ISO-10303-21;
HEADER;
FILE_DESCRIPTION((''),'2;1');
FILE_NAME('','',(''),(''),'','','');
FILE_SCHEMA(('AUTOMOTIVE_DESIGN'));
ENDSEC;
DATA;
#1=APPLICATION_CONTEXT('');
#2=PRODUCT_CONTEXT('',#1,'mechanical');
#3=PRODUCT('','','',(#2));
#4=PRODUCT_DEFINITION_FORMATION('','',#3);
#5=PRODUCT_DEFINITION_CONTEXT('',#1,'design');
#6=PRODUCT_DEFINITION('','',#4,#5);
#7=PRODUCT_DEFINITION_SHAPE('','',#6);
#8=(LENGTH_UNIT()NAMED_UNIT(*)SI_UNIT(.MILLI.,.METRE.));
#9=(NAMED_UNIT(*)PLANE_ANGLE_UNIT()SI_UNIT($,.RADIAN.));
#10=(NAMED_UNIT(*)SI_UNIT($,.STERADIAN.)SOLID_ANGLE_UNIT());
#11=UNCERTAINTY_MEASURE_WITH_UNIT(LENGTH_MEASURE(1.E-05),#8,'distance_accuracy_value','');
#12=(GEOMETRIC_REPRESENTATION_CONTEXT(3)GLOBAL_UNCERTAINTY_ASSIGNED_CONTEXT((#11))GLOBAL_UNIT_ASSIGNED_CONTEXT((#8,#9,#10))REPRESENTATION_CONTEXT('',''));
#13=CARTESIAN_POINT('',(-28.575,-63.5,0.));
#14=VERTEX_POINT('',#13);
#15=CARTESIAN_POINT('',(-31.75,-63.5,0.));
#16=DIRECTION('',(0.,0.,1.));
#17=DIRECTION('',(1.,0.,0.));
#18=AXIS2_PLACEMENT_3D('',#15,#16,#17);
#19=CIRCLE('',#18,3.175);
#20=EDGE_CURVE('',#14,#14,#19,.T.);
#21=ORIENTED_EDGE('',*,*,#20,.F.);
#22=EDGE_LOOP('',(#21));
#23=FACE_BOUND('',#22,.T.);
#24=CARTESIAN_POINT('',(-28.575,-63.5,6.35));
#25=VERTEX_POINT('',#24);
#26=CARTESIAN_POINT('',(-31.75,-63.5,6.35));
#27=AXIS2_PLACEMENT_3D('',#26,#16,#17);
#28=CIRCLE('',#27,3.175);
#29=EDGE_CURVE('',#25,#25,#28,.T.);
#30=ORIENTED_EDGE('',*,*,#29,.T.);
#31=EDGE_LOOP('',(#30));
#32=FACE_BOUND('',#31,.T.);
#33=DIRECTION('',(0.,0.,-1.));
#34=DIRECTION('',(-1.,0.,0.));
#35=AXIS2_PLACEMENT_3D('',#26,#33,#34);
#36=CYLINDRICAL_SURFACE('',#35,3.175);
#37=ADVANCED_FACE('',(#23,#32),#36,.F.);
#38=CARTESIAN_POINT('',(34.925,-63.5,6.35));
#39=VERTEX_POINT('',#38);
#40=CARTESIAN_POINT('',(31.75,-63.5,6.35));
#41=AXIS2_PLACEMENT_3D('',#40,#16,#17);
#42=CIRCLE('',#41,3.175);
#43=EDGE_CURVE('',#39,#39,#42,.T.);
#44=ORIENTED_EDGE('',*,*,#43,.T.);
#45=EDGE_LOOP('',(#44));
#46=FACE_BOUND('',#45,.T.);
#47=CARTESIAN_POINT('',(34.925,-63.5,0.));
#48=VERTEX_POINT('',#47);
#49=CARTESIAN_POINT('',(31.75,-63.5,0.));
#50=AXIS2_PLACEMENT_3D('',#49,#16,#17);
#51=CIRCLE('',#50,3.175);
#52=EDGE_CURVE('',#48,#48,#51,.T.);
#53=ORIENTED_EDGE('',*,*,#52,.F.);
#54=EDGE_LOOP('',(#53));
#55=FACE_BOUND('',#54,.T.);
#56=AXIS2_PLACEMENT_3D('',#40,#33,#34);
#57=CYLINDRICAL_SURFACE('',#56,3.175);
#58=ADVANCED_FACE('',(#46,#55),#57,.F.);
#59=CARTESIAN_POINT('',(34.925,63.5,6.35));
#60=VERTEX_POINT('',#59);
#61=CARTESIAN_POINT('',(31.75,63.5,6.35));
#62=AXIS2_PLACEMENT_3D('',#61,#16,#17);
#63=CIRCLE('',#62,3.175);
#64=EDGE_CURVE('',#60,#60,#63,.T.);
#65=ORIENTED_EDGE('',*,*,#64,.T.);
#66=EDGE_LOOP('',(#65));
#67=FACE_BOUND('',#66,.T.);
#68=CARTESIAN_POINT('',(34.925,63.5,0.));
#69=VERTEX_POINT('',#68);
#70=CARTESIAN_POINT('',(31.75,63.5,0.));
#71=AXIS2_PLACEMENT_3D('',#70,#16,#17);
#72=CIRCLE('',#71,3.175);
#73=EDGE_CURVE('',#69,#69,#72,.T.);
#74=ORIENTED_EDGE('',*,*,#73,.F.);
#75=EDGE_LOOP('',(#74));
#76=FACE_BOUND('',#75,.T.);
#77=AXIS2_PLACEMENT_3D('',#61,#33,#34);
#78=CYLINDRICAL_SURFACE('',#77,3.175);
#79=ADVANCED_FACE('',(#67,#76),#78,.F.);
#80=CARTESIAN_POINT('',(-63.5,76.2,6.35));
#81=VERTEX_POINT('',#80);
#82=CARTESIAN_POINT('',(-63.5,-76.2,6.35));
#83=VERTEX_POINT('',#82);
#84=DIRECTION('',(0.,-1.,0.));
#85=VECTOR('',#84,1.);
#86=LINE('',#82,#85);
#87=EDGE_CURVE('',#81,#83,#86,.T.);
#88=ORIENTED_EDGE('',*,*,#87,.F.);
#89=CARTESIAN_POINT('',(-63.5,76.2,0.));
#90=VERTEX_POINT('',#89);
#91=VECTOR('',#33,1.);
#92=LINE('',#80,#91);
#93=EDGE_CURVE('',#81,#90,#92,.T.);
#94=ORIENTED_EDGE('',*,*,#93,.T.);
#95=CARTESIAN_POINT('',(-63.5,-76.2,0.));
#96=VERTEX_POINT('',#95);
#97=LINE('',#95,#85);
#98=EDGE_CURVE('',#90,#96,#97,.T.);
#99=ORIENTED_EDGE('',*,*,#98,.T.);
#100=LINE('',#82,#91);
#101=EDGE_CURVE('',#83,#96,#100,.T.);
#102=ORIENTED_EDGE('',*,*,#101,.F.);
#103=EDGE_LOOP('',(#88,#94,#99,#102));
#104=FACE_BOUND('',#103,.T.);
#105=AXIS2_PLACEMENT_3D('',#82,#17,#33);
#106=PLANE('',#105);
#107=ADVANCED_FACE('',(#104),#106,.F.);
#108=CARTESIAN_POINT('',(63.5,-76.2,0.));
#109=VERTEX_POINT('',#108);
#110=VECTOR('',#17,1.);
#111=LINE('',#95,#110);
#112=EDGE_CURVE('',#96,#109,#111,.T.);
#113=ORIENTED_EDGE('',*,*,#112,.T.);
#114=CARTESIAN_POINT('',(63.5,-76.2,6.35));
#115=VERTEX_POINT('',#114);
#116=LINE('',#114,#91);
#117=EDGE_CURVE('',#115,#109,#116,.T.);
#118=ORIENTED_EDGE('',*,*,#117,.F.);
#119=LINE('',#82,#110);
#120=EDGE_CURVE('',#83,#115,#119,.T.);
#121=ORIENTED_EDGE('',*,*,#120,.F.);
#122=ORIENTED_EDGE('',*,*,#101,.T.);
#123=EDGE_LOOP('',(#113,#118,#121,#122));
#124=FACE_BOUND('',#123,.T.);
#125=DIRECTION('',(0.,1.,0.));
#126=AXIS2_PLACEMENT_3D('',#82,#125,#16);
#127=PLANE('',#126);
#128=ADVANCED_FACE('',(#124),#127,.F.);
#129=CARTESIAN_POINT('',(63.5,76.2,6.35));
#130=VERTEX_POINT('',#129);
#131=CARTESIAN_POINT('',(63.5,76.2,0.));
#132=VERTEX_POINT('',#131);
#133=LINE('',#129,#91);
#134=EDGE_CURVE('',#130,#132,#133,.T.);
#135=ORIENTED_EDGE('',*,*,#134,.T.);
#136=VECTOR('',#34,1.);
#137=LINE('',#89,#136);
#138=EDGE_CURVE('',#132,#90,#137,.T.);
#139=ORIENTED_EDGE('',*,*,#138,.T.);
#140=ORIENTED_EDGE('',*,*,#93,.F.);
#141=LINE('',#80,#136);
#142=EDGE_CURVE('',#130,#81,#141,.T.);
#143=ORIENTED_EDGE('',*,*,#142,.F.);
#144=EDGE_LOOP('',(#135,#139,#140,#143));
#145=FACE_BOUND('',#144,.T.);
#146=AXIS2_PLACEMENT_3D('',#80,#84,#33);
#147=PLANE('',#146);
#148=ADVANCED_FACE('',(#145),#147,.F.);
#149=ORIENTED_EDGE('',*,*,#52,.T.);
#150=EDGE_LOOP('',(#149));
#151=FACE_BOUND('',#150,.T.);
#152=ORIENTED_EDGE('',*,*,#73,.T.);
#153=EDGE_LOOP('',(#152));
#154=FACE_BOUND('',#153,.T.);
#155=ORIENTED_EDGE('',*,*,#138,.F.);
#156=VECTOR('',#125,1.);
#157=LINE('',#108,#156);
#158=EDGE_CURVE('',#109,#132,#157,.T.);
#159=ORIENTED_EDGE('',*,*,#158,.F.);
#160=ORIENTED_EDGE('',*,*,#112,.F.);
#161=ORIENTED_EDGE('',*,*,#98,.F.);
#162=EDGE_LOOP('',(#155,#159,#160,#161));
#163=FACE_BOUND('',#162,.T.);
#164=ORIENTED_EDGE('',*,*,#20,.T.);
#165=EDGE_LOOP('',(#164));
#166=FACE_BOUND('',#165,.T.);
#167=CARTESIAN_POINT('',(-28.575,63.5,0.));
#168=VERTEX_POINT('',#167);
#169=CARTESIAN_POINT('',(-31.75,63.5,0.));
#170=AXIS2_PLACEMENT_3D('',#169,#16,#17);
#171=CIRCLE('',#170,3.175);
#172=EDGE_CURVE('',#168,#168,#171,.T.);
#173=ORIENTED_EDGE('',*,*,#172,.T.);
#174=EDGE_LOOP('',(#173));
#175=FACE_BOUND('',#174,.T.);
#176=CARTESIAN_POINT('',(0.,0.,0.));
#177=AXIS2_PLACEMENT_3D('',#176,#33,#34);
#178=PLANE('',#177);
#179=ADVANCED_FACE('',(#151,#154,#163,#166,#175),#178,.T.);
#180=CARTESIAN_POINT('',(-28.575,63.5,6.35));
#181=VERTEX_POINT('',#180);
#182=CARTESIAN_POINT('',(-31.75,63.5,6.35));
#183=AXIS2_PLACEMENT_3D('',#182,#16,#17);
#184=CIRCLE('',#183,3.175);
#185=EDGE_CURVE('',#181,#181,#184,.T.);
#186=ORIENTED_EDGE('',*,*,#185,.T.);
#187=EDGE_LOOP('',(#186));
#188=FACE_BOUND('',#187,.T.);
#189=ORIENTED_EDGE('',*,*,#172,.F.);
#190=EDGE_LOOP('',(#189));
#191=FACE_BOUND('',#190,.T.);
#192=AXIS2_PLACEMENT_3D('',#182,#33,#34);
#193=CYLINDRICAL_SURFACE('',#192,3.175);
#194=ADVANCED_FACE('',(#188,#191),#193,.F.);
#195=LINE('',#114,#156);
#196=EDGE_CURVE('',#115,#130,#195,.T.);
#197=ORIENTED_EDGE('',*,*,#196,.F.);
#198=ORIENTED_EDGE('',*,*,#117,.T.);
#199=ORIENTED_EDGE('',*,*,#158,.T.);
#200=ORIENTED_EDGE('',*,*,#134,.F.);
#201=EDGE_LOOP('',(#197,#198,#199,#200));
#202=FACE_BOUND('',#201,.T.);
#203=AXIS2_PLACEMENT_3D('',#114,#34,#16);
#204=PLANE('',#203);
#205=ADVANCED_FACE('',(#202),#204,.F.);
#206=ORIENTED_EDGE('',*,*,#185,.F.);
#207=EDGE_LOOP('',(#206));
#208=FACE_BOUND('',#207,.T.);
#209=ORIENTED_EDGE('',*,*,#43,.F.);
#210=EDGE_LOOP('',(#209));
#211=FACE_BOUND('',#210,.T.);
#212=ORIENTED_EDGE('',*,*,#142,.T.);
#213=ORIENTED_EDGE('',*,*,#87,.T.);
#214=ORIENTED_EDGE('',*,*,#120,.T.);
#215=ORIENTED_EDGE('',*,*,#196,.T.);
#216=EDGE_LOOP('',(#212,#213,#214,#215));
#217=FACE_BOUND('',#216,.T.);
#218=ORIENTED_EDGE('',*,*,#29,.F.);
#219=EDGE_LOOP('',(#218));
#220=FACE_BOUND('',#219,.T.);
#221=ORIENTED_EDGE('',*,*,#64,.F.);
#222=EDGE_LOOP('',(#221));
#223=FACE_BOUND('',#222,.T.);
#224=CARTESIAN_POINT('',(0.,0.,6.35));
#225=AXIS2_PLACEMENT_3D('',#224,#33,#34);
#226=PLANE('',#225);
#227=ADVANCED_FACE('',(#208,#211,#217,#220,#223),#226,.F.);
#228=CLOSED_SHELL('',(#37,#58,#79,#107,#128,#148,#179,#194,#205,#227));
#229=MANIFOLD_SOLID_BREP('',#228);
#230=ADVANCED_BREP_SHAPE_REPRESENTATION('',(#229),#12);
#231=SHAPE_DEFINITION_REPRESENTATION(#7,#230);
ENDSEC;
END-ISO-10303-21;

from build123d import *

# Parameters (mm, degrees)
SKETCH1_W           = 127
SKETCH1_H           = 152.4
SKETCH1_R           = 3.175
BOSS_EXTRUDE1_DEPTH = 6.35


with BuildPart() as part:
    # Sketch1 → Boss-Extrude1 (new body)
    with BuildSketch(Plane.XY):
        Rectangle(SKETCH1_W, SKETCH1_H)
        with Locations((-31.75, -63.5)):
            Circle(SKETCH1_R, mode=Mode.SUBTRACT)
        with Locations((31.75, -63.5)):
            Circle(SKETCH1_R, mode=Mode.SUBTRACT)
        with Locations((31.75, 63.5)):
            Circle(SKETCH1_R, mode=Mode.SUBTRACT)
        with Locations((-31.75, 63.5)):
            Circle(SKETCH1_R, mode=Mode.SUBTRACT)
    extrude(amount=BOSS_EXTRUDE1_DEPTH)


solid = part.part
